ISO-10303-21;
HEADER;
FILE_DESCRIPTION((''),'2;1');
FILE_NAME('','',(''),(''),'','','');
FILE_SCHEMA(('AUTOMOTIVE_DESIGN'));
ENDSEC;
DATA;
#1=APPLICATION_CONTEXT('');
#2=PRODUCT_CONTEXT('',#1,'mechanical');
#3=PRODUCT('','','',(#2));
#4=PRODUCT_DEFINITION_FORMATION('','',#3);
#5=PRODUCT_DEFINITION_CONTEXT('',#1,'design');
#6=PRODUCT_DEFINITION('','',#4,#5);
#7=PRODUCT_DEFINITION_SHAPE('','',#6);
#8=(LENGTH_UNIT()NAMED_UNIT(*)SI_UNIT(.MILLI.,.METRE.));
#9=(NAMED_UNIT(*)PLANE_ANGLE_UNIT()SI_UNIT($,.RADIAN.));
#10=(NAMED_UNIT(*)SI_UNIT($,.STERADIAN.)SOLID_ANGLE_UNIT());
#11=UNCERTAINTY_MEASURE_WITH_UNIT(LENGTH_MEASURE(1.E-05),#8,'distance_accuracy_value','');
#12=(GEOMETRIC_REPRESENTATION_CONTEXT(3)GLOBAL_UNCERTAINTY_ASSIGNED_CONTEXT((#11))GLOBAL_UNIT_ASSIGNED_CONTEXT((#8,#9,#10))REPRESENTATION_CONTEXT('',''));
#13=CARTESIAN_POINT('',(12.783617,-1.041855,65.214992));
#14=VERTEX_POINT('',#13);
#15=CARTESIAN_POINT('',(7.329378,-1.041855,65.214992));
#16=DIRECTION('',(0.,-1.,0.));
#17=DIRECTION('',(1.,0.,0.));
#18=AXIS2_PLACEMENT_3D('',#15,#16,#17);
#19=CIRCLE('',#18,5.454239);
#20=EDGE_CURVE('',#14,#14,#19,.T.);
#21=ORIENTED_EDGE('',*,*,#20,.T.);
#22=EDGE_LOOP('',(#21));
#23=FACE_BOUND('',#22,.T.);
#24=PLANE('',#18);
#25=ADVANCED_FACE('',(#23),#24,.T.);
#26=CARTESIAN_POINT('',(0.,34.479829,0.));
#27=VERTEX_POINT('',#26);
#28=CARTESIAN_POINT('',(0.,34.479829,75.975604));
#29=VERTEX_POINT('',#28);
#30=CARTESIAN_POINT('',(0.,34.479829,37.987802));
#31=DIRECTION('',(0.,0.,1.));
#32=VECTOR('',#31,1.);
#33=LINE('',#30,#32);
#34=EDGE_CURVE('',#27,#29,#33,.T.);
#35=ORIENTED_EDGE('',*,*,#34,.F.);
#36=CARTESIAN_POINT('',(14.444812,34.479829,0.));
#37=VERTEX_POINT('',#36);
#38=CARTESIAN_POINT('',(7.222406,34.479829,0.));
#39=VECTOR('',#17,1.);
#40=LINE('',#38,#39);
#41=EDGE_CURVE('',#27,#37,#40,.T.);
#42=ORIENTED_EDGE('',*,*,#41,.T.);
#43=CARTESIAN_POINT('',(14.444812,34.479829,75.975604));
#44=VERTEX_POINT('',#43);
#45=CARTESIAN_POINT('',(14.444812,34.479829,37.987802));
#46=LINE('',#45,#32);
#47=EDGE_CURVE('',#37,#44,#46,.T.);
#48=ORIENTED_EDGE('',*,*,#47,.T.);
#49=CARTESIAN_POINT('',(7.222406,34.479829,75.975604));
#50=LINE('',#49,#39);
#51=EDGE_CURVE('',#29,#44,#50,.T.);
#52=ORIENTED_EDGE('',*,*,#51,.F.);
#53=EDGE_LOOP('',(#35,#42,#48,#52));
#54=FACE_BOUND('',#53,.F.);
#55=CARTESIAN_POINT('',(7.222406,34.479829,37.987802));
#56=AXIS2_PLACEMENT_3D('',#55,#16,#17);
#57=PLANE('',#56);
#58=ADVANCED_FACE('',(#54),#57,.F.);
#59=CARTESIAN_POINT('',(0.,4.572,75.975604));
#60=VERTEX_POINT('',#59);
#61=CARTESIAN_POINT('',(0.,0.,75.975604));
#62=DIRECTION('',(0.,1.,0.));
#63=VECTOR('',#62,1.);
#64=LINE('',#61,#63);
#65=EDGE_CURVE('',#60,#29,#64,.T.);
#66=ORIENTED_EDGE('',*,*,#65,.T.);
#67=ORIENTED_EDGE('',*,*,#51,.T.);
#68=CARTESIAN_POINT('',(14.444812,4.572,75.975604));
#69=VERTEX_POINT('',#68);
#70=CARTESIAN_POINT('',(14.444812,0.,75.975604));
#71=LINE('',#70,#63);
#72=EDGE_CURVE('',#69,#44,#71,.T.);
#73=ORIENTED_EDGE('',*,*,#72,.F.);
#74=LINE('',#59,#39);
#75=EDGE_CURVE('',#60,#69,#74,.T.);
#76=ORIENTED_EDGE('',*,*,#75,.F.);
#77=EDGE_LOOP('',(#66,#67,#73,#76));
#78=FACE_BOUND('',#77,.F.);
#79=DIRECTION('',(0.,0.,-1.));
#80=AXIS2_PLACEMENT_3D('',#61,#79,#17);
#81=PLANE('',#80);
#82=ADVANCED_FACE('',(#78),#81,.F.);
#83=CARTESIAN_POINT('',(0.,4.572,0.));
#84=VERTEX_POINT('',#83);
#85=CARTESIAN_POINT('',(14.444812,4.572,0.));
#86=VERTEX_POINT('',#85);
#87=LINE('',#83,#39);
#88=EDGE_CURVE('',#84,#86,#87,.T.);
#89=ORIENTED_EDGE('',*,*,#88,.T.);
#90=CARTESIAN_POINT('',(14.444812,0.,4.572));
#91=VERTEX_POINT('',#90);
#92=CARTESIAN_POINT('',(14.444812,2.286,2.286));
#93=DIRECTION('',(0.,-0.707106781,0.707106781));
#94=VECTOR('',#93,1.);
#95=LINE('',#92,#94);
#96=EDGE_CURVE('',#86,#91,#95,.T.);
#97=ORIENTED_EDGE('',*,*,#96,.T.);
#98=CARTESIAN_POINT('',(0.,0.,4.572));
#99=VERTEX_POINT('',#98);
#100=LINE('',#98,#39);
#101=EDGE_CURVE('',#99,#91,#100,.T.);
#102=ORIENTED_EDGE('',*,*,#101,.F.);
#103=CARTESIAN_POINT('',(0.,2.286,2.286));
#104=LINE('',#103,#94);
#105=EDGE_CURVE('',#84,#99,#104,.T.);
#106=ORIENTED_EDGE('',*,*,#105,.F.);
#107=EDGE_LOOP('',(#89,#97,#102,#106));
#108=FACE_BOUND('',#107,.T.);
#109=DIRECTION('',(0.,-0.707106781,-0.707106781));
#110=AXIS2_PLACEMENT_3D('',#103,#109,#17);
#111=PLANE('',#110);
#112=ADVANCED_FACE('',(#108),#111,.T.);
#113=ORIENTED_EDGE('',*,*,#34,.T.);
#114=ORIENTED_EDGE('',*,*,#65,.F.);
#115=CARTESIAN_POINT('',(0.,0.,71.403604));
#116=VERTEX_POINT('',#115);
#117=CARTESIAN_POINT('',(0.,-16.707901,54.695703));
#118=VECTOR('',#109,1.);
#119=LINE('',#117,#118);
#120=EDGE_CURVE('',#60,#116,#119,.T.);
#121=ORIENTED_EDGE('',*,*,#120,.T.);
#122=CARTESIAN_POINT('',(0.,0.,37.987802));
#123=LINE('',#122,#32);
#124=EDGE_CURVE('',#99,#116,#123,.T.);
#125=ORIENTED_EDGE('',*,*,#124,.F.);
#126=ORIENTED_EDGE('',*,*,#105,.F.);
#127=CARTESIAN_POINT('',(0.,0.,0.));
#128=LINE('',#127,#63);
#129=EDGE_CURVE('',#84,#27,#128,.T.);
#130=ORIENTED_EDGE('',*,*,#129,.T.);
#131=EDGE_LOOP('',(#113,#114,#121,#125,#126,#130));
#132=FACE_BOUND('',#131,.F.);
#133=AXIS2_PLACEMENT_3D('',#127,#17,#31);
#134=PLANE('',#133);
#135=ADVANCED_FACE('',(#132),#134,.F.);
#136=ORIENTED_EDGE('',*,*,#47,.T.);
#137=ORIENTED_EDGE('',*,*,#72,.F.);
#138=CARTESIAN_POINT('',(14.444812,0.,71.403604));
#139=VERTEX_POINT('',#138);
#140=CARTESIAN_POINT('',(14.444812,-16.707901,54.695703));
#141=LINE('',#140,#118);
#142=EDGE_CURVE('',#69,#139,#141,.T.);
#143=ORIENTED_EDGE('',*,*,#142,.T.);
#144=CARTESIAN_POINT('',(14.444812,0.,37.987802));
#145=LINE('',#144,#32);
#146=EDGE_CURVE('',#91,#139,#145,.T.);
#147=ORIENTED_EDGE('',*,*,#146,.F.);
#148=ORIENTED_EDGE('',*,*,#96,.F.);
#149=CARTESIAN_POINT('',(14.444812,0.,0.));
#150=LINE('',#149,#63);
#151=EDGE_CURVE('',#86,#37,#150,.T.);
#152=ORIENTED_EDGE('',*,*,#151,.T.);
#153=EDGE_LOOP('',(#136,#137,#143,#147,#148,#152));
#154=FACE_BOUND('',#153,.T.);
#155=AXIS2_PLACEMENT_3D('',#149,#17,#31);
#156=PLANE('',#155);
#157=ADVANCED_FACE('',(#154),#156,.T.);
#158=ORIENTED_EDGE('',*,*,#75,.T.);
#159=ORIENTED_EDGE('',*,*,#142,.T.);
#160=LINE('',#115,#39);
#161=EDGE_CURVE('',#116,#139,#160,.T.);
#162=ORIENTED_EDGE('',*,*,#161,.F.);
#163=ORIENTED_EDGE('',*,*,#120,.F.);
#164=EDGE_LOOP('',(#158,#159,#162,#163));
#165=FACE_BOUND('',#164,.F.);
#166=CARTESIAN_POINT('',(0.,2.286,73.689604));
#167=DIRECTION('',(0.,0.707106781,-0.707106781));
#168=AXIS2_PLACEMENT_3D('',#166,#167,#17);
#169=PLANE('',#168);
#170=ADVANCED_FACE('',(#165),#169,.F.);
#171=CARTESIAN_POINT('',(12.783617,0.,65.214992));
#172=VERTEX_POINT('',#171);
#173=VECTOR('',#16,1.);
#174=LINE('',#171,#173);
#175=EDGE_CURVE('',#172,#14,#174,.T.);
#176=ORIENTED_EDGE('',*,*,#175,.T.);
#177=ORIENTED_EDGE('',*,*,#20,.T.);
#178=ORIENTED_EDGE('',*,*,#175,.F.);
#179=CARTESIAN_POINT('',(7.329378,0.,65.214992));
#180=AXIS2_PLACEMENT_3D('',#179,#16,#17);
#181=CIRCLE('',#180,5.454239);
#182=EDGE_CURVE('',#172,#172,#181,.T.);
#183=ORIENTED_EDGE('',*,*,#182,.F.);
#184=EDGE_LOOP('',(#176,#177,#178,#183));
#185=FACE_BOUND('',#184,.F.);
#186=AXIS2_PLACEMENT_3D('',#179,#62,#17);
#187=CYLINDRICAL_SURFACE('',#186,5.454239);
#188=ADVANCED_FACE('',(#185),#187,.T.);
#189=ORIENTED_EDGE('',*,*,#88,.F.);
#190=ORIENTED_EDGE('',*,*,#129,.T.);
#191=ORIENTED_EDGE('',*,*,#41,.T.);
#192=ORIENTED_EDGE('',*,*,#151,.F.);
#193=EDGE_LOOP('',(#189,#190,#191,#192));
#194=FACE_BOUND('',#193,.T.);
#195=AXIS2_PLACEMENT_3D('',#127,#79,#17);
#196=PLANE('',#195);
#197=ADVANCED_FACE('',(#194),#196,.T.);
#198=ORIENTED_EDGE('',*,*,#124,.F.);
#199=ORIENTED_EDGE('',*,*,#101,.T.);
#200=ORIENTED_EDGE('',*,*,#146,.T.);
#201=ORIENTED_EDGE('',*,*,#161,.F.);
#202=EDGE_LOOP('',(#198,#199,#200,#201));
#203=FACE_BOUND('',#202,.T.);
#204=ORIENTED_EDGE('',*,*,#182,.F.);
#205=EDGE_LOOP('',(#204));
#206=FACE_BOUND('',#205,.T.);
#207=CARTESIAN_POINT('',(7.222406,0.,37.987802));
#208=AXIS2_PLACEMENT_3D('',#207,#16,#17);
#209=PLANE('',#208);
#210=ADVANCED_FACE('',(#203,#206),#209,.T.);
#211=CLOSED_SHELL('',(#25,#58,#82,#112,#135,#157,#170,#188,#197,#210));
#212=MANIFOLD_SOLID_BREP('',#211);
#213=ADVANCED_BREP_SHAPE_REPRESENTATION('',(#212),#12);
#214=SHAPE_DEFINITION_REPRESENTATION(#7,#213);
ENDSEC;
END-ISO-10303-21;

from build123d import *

# Parameters (mm, degrees)
F0_W     = 14.444813
F0_H     = 75.975604
F1_DEPTH = 34.479829
F2_R     = 5.454239
F3_DEPTH = 1.041855
F4_SIZE  = 4.572


with BuildPart() as f1:
    # F0 (on Front) → F1 (new body)
    with BuildSketch(Plane.XZ):
        with Locations((7.222406, 37.987802)):
            Rectangle(F0_W, F0_H)
    extrude(amount=-F1_DEPTH)

    # F2 (on face) → F3 (join)
    with BuildSketch(Plane.XZ):
        with Locations((7.329378, 65.214992)):
            Circle(F2_R)
    extrude(amount=F3_DEPTH)

    # F4
    f4_edges = [f1.edges().sort_by_distance(p)[0] for p in [
        (7.222407, 0, 75.975604),
        (7.222407, 0, 0),
    ]]
    chamfer(f4_edges, length=F4_SIZE)


solid = f1.part
